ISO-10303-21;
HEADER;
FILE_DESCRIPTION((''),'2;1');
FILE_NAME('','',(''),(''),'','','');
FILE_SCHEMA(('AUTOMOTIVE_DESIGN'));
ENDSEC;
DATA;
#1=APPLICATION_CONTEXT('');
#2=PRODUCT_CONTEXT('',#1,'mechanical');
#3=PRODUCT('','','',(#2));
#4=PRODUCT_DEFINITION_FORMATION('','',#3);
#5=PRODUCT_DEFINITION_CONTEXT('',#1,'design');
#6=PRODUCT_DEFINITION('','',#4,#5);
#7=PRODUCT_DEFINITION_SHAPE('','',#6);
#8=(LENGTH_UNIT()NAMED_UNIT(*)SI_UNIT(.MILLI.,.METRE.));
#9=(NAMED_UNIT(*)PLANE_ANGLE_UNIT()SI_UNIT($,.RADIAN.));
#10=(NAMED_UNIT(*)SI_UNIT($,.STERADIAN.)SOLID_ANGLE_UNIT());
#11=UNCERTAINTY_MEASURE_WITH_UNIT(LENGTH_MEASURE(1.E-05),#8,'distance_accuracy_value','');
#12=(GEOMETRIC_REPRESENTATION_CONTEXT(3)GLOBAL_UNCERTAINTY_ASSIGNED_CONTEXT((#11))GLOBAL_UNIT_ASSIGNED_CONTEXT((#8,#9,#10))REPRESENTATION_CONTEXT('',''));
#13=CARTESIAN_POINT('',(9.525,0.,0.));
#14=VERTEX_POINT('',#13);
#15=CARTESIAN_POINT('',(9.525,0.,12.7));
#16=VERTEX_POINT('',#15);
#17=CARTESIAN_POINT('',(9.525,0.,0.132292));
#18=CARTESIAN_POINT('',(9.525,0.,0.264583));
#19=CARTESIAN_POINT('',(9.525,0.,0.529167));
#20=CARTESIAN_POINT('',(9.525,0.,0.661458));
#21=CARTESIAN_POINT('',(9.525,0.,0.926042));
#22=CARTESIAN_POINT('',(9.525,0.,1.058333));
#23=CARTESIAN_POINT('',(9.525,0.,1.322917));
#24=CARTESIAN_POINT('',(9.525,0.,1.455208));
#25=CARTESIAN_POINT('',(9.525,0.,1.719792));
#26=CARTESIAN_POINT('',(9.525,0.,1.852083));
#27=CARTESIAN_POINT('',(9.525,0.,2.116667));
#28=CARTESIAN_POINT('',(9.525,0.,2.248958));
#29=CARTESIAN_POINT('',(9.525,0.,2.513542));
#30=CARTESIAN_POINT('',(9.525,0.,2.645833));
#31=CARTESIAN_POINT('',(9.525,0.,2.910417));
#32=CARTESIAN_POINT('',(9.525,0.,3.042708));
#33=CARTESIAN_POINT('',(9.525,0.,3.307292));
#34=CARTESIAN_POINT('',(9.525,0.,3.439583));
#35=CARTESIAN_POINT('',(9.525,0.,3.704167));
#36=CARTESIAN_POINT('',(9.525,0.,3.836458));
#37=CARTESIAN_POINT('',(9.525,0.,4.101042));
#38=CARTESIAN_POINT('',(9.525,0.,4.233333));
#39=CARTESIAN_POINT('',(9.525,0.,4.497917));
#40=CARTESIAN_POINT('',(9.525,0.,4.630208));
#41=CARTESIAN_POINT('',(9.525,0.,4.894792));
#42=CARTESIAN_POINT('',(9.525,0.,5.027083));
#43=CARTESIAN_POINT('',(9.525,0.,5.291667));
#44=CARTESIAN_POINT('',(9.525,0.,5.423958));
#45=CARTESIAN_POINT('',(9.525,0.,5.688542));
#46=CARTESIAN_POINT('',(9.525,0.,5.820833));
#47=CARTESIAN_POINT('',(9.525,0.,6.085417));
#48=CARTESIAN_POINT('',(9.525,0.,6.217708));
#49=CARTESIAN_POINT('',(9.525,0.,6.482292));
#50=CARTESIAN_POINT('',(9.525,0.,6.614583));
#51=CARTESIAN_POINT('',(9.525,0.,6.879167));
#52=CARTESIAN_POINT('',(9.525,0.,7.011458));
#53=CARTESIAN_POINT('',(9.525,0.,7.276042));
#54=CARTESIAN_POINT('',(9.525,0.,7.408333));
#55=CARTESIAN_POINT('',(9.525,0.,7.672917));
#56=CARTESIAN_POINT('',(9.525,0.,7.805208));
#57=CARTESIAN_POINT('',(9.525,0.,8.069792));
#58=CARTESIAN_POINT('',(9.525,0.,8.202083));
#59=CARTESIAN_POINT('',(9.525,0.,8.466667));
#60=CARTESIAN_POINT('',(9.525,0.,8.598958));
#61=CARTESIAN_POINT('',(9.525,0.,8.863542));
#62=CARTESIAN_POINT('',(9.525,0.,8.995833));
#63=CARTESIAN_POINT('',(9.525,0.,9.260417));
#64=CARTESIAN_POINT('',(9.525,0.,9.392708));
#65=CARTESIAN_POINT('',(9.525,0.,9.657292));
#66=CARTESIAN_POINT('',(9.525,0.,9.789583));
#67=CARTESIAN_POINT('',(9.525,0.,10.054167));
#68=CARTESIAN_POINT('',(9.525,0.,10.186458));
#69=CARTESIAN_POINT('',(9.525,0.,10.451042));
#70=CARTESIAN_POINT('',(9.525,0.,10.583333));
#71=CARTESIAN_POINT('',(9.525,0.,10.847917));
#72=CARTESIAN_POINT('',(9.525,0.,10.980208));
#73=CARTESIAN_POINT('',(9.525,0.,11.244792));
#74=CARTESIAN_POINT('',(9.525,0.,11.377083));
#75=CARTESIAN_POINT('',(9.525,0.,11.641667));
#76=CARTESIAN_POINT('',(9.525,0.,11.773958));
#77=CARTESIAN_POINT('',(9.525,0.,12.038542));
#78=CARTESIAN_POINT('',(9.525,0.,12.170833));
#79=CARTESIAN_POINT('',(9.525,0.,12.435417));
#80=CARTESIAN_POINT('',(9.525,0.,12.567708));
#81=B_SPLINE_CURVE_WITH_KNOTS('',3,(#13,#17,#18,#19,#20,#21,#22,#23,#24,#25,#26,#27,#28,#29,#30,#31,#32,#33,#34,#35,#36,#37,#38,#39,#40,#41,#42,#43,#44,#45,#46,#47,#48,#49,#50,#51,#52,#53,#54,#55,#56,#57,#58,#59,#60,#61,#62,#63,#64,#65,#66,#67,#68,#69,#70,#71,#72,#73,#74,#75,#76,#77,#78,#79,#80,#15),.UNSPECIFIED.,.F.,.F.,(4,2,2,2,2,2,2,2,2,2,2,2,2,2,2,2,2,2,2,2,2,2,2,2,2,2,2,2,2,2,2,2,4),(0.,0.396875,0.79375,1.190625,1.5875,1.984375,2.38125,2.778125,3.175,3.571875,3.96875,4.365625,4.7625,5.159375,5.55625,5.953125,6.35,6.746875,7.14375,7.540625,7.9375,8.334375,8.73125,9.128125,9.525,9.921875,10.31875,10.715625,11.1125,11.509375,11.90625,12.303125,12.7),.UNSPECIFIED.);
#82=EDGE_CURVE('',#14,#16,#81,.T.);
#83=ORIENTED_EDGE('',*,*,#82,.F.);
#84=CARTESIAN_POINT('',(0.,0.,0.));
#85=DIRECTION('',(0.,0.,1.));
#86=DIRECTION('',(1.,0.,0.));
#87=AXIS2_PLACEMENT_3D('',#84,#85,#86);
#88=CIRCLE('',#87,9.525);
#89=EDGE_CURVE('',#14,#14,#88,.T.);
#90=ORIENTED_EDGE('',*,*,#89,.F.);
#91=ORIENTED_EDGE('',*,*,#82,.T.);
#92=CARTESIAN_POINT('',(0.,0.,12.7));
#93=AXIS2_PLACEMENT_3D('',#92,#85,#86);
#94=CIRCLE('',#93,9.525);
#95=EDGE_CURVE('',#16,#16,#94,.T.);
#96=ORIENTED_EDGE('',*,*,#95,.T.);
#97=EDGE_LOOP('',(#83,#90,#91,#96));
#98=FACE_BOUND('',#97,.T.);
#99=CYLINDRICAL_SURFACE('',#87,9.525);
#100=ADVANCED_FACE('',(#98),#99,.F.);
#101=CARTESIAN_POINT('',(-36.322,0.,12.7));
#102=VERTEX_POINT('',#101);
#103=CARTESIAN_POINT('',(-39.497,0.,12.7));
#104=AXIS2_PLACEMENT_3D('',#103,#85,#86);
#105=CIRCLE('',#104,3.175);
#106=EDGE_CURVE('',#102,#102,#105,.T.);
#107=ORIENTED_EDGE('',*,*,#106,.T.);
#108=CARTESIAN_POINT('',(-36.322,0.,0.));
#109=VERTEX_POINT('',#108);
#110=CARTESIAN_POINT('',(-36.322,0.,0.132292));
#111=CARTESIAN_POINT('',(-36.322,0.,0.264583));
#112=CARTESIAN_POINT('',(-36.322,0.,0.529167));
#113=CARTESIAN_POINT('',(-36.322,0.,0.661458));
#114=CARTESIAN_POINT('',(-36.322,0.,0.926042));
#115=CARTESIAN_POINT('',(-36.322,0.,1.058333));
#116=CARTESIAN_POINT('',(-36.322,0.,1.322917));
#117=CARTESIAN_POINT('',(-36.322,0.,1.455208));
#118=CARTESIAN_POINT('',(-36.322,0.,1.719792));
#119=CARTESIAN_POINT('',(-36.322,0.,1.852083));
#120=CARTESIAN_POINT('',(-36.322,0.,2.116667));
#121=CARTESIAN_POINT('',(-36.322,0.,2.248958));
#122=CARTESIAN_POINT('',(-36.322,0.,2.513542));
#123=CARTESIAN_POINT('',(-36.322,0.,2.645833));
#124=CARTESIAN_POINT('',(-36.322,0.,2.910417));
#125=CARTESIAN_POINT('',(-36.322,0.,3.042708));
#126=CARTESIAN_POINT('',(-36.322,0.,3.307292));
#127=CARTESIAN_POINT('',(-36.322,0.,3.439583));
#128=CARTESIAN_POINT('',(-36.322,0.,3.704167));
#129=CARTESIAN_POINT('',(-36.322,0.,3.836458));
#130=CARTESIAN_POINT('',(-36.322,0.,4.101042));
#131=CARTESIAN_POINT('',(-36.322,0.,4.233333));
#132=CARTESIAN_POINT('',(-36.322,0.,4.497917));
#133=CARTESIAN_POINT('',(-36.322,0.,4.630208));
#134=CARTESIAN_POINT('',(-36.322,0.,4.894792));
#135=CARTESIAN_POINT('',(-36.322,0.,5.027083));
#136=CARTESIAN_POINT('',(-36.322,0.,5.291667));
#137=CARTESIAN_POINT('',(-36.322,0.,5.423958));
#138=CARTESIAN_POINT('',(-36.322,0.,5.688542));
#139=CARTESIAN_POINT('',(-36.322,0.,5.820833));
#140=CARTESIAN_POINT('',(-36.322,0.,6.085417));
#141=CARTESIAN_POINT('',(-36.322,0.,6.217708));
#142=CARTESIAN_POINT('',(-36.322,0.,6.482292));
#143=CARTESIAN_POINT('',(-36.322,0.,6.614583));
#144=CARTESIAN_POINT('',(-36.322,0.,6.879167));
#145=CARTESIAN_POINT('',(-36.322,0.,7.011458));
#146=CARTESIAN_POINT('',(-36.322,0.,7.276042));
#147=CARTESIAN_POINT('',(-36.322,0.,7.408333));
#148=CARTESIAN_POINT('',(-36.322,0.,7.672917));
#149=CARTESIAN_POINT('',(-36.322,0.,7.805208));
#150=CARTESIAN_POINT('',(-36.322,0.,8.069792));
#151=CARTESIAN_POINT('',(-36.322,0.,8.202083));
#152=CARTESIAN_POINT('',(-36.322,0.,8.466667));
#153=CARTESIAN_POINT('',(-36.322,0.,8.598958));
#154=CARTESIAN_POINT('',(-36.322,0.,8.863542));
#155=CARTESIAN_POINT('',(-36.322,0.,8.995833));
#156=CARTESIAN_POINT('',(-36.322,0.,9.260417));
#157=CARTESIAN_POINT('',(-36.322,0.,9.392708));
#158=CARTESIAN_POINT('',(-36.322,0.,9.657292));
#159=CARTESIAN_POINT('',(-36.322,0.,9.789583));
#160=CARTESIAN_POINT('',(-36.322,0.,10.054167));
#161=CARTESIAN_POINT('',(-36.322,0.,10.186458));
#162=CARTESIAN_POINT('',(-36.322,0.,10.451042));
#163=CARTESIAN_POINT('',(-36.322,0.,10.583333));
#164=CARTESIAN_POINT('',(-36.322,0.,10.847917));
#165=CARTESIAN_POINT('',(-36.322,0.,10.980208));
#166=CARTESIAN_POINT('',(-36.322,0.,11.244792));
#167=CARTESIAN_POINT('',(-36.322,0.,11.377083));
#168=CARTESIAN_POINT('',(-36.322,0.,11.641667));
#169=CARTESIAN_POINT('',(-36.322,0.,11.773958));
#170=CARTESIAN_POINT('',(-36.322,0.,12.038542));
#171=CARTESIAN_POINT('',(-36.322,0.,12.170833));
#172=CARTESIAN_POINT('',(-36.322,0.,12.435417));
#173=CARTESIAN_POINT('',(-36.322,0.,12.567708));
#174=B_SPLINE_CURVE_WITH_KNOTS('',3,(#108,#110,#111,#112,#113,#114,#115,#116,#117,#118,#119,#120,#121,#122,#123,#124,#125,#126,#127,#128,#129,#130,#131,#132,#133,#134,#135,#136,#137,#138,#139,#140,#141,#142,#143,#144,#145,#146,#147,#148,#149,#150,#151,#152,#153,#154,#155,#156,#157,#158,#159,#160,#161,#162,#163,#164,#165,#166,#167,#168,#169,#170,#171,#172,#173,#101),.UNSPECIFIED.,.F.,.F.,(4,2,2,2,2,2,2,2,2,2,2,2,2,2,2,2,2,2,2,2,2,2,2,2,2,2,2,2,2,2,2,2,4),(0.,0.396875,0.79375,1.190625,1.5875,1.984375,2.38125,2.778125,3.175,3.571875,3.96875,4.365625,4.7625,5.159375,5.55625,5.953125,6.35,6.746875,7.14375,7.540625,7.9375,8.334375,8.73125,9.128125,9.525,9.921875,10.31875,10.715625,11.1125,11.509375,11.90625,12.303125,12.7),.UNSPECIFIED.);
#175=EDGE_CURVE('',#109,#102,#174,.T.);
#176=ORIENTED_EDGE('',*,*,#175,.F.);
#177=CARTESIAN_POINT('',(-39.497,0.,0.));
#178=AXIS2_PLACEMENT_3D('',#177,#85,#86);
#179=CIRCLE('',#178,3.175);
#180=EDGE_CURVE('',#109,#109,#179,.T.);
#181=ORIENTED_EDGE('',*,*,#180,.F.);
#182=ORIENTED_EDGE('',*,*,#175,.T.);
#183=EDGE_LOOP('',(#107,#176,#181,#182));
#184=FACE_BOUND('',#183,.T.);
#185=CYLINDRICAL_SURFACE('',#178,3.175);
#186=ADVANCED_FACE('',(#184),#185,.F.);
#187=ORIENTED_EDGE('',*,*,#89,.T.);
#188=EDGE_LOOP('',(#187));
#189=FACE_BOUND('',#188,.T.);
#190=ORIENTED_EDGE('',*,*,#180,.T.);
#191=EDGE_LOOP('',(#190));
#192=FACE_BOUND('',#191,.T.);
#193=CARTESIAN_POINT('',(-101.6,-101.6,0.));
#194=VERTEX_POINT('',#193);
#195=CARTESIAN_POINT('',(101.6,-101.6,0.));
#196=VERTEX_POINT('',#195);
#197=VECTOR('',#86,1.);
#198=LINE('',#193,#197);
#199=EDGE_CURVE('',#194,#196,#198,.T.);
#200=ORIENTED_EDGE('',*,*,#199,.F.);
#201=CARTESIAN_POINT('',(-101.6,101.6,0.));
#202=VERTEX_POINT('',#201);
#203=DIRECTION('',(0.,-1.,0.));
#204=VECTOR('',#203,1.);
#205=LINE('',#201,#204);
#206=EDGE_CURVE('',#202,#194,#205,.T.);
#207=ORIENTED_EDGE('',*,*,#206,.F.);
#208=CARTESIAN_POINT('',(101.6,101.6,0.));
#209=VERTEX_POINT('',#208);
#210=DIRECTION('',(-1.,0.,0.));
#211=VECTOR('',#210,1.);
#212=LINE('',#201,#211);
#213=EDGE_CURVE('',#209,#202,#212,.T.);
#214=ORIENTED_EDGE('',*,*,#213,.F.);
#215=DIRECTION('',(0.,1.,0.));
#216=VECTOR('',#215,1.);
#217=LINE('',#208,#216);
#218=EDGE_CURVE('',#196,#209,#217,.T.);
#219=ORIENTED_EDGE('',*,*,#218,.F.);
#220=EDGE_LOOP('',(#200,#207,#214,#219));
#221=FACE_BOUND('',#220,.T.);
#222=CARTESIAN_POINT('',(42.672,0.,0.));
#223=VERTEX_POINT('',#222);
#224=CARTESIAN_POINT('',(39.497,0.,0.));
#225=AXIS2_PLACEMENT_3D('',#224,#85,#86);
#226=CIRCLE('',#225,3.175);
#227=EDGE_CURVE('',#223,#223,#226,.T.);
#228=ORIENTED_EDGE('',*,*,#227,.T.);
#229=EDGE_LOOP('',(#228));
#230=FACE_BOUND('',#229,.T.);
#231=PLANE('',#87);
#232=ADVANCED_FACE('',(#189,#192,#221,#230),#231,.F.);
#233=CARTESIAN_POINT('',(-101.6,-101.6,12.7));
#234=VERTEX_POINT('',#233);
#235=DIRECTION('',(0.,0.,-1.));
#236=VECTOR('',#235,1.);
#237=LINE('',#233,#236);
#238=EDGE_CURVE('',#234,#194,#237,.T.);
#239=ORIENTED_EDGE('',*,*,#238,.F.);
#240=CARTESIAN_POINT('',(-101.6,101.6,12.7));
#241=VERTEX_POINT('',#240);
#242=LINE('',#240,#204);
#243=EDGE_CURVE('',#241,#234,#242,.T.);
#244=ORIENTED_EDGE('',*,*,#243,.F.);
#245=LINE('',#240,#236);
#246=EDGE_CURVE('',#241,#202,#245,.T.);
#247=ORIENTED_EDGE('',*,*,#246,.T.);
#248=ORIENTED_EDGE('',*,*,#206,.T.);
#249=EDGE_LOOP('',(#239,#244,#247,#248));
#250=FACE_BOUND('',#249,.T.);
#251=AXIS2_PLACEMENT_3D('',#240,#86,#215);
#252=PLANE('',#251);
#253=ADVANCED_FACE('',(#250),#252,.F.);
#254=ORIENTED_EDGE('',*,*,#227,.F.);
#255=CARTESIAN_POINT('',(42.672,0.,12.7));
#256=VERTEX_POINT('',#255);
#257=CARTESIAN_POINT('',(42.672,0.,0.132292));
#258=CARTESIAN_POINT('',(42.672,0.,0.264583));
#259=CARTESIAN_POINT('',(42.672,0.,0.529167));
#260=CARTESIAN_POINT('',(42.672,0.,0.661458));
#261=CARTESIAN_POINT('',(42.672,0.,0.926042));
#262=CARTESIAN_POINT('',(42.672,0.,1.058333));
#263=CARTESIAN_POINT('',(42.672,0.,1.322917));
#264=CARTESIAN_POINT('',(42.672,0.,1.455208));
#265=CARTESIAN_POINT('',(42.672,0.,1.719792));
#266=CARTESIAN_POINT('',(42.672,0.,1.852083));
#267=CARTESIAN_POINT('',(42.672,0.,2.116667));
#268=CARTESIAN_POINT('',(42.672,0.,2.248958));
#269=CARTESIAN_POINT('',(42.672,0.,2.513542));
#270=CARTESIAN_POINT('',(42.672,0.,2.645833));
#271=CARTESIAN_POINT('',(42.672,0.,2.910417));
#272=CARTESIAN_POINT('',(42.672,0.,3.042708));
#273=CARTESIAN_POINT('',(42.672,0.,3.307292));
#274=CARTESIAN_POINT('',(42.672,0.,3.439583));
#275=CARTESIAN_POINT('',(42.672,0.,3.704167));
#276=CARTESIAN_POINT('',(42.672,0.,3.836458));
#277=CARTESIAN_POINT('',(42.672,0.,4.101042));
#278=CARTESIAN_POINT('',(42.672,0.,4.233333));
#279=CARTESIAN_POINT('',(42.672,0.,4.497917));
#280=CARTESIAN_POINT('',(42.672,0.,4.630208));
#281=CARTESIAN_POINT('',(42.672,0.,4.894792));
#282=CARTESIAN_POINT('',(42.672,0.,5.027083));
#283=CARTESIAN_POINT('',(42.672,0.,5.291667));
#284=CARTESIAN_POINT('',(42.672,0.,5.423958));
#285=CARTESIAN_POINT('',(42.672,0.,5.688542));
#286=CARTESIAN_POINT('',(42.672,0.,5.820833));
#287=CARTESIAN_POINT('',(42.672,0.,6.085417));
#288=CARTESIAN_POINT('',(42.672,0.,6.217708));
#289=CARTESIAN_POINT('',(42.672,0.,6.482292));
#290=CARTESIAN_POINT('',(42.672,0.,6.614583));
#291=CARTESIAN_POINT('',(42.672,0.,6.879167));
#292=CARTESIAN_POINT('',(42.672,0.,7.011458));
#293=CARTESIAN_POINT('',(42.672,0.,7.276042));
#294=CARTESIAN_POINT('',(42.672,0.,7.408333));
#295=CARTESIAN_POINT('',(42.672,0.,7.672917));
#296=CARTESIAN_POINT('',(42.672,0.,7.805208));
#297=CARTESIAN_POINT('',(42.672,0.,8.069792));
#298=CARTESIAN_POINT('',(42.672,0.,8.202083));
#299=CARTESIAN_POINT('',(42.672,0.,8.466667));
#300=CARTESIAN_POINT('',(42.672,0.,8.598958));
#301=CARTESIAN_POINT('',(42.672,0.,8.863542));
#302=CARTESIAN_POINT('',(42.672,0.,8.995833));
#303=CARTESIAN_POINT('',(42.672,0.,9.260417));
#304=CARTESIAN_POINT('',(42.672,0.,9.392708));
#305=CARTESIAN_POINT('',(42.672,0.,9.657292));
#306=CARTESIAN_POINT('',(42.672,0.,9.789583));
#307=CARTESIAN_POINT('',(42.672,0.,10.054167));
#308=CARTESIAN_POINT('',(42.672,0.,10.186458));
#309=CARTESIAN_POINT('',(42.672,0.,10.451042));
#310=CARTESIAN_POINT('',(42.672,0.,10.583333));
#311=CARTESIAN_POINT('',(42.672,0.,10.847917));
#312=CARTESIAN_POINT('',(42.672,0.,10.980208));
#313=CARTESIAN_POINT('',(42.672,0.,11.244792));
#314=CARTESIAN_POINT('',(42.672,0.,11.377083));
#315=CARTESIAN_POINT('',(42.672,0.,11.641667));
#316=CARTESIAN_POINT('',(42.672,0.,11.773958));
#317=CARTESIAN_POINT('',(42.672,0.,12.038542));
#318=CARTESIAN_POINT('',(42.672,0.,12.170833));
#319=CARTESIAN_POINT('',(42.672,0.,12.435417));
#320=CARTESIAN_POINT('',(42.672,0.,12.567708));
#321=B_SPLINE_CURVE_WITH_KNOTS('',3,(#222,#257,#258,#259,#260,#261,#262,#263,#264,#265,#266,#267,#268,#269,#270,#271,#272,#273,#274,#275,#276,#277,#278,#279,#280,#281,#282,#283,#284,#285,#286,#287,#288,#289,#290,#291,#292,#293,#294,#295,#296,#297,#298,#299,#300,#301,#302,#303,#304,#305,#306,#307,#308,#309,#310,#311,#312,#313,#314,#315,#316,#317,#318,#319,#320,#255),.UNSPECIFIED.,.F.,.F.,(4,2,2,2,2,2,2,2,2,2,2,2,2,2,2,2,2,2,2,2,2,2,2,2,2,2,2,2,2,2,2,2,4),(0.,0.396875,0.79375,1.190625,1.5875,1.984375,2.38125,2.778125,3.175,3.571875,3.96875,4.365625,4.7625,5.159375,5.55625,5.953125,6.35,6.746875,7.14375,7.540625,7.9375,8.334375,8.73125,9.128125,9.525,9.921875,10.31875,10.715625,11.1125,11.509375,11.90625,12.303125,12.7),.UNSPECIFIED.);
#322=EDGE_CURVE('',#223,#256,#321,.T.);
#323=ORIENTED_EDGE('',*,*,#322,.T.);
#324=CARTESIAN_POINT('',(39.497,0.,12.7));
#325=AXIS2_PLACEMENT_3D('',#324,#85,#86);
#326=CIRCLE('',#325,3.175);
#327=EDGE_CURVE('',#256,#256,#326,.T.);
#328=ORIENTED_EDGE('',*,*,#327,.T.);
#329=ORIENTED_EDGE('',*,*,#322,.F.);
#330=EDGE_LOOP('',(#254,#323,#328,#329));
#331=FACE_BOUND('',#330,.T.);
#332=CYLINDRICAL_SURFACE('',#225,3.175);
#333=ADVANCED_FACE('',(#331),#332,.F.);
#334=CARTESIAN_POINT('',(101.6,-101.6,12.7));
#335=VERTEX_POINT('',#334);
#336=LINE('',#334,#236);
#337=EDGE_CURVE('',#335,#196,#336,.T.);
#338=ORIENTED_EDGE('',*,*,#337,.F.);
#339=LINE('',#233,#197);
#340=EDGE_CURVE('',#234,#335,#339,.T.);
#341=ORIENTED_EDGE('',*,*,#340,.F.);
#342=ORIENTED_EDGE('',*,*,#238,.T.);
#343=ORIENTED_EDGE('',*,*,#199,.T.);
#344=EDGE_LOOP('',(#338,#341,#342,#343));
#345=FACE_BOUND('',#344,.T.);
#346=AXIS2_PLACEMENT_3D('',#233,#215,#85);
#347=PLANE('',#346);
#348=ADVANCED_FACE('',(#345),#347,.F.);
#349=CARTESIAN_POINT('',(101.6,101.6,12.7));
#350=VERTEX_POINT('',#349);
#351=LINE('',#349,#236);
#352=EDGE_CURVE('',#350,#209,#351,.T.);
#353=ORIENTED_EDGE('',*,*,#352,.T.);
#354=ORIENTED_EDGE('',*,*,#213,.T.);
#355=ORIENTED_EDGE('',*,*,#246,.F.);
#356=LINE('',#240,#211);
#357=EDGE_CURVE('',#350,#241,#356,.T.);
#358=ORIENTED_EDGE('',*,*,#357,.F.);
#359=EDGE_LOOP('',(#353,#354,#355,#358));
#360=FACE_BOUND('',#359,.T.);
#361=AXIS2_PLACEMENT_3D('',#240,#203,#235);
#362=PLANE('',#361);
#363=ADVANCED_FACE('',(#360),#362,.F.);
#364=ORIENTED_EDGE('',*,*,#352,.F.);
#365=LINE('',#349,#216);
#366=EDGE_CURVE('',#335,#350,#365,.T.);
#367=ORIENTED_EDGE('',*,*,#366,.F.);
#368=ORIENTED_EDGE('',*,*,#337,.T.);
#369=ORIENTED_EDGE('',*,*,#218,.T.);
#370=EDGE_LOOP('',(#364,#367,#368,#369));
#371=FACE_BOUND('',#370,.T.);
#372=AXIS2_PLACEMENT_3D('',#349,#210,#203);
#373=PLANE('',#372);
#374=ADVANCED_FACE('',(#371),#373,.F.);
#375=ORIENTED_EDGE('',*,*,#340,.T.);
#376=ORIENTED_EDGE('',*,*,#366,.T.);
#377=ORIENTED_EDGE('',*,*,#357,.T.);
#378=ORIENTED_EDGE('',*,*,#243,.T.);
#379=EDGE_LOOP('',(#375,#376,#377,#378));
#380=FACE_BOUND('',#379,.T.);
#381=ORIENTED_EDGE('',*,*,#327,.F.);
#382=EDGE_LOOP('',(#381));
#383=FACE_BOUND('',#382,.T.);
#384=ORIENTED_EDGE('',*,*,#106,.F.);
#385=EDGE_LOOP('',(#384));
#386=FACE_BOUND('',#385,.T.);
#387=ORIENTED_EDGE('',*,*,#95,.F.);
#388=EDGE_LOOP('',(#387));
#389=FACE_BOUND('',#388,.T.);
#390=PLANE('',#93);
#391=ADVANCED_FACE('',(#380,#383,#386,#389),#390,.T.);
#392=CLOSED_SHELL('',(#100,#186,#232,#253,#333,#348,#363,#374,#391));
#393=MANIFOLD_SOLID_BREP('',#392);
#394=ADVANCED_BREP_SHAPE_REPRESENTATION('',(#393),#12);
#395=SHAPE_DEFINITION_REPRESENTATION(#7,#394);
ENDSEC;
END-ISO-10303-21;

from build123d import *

# Parameters (mm, degrees)
SKETCH1_W           = 203.2
SKETCH1_H           = 203.2
BOSS_EXTRUDE1_DEPTH = 12.7
SKETCH2_R           = 9.525
SKETCH2_R_2         = 3.175
CUT_EXTRUDE1_DEPTH  = 145.244271983


with BuildPart() as part:
    # Sketch1 → Boss-Extrude1 (new body)
    with BuildSketch(Plane.XY):
        Rectangle(SKETCH1_W, SKETCH1_H)
    extrude(amount=BOSS_EXTRUDE1_DEPTH)

    # Sketch2 → Cut-Extrude1 (cut, through all)
    with BuildSketch(Plane.XY.offset(12.7)):
        Circle(SKETCH2_R)
        with Locations((39.497, 0)):
            Circle(SKETCH2_R_2)
        with Locations((-39.497, 0)):
            Circle(SKETCH2_R_2)
    extrude(amount=-CUT_EXTRUDE1_DEPTH, mode=Mode.SUBTRACT)


solid = part.part
